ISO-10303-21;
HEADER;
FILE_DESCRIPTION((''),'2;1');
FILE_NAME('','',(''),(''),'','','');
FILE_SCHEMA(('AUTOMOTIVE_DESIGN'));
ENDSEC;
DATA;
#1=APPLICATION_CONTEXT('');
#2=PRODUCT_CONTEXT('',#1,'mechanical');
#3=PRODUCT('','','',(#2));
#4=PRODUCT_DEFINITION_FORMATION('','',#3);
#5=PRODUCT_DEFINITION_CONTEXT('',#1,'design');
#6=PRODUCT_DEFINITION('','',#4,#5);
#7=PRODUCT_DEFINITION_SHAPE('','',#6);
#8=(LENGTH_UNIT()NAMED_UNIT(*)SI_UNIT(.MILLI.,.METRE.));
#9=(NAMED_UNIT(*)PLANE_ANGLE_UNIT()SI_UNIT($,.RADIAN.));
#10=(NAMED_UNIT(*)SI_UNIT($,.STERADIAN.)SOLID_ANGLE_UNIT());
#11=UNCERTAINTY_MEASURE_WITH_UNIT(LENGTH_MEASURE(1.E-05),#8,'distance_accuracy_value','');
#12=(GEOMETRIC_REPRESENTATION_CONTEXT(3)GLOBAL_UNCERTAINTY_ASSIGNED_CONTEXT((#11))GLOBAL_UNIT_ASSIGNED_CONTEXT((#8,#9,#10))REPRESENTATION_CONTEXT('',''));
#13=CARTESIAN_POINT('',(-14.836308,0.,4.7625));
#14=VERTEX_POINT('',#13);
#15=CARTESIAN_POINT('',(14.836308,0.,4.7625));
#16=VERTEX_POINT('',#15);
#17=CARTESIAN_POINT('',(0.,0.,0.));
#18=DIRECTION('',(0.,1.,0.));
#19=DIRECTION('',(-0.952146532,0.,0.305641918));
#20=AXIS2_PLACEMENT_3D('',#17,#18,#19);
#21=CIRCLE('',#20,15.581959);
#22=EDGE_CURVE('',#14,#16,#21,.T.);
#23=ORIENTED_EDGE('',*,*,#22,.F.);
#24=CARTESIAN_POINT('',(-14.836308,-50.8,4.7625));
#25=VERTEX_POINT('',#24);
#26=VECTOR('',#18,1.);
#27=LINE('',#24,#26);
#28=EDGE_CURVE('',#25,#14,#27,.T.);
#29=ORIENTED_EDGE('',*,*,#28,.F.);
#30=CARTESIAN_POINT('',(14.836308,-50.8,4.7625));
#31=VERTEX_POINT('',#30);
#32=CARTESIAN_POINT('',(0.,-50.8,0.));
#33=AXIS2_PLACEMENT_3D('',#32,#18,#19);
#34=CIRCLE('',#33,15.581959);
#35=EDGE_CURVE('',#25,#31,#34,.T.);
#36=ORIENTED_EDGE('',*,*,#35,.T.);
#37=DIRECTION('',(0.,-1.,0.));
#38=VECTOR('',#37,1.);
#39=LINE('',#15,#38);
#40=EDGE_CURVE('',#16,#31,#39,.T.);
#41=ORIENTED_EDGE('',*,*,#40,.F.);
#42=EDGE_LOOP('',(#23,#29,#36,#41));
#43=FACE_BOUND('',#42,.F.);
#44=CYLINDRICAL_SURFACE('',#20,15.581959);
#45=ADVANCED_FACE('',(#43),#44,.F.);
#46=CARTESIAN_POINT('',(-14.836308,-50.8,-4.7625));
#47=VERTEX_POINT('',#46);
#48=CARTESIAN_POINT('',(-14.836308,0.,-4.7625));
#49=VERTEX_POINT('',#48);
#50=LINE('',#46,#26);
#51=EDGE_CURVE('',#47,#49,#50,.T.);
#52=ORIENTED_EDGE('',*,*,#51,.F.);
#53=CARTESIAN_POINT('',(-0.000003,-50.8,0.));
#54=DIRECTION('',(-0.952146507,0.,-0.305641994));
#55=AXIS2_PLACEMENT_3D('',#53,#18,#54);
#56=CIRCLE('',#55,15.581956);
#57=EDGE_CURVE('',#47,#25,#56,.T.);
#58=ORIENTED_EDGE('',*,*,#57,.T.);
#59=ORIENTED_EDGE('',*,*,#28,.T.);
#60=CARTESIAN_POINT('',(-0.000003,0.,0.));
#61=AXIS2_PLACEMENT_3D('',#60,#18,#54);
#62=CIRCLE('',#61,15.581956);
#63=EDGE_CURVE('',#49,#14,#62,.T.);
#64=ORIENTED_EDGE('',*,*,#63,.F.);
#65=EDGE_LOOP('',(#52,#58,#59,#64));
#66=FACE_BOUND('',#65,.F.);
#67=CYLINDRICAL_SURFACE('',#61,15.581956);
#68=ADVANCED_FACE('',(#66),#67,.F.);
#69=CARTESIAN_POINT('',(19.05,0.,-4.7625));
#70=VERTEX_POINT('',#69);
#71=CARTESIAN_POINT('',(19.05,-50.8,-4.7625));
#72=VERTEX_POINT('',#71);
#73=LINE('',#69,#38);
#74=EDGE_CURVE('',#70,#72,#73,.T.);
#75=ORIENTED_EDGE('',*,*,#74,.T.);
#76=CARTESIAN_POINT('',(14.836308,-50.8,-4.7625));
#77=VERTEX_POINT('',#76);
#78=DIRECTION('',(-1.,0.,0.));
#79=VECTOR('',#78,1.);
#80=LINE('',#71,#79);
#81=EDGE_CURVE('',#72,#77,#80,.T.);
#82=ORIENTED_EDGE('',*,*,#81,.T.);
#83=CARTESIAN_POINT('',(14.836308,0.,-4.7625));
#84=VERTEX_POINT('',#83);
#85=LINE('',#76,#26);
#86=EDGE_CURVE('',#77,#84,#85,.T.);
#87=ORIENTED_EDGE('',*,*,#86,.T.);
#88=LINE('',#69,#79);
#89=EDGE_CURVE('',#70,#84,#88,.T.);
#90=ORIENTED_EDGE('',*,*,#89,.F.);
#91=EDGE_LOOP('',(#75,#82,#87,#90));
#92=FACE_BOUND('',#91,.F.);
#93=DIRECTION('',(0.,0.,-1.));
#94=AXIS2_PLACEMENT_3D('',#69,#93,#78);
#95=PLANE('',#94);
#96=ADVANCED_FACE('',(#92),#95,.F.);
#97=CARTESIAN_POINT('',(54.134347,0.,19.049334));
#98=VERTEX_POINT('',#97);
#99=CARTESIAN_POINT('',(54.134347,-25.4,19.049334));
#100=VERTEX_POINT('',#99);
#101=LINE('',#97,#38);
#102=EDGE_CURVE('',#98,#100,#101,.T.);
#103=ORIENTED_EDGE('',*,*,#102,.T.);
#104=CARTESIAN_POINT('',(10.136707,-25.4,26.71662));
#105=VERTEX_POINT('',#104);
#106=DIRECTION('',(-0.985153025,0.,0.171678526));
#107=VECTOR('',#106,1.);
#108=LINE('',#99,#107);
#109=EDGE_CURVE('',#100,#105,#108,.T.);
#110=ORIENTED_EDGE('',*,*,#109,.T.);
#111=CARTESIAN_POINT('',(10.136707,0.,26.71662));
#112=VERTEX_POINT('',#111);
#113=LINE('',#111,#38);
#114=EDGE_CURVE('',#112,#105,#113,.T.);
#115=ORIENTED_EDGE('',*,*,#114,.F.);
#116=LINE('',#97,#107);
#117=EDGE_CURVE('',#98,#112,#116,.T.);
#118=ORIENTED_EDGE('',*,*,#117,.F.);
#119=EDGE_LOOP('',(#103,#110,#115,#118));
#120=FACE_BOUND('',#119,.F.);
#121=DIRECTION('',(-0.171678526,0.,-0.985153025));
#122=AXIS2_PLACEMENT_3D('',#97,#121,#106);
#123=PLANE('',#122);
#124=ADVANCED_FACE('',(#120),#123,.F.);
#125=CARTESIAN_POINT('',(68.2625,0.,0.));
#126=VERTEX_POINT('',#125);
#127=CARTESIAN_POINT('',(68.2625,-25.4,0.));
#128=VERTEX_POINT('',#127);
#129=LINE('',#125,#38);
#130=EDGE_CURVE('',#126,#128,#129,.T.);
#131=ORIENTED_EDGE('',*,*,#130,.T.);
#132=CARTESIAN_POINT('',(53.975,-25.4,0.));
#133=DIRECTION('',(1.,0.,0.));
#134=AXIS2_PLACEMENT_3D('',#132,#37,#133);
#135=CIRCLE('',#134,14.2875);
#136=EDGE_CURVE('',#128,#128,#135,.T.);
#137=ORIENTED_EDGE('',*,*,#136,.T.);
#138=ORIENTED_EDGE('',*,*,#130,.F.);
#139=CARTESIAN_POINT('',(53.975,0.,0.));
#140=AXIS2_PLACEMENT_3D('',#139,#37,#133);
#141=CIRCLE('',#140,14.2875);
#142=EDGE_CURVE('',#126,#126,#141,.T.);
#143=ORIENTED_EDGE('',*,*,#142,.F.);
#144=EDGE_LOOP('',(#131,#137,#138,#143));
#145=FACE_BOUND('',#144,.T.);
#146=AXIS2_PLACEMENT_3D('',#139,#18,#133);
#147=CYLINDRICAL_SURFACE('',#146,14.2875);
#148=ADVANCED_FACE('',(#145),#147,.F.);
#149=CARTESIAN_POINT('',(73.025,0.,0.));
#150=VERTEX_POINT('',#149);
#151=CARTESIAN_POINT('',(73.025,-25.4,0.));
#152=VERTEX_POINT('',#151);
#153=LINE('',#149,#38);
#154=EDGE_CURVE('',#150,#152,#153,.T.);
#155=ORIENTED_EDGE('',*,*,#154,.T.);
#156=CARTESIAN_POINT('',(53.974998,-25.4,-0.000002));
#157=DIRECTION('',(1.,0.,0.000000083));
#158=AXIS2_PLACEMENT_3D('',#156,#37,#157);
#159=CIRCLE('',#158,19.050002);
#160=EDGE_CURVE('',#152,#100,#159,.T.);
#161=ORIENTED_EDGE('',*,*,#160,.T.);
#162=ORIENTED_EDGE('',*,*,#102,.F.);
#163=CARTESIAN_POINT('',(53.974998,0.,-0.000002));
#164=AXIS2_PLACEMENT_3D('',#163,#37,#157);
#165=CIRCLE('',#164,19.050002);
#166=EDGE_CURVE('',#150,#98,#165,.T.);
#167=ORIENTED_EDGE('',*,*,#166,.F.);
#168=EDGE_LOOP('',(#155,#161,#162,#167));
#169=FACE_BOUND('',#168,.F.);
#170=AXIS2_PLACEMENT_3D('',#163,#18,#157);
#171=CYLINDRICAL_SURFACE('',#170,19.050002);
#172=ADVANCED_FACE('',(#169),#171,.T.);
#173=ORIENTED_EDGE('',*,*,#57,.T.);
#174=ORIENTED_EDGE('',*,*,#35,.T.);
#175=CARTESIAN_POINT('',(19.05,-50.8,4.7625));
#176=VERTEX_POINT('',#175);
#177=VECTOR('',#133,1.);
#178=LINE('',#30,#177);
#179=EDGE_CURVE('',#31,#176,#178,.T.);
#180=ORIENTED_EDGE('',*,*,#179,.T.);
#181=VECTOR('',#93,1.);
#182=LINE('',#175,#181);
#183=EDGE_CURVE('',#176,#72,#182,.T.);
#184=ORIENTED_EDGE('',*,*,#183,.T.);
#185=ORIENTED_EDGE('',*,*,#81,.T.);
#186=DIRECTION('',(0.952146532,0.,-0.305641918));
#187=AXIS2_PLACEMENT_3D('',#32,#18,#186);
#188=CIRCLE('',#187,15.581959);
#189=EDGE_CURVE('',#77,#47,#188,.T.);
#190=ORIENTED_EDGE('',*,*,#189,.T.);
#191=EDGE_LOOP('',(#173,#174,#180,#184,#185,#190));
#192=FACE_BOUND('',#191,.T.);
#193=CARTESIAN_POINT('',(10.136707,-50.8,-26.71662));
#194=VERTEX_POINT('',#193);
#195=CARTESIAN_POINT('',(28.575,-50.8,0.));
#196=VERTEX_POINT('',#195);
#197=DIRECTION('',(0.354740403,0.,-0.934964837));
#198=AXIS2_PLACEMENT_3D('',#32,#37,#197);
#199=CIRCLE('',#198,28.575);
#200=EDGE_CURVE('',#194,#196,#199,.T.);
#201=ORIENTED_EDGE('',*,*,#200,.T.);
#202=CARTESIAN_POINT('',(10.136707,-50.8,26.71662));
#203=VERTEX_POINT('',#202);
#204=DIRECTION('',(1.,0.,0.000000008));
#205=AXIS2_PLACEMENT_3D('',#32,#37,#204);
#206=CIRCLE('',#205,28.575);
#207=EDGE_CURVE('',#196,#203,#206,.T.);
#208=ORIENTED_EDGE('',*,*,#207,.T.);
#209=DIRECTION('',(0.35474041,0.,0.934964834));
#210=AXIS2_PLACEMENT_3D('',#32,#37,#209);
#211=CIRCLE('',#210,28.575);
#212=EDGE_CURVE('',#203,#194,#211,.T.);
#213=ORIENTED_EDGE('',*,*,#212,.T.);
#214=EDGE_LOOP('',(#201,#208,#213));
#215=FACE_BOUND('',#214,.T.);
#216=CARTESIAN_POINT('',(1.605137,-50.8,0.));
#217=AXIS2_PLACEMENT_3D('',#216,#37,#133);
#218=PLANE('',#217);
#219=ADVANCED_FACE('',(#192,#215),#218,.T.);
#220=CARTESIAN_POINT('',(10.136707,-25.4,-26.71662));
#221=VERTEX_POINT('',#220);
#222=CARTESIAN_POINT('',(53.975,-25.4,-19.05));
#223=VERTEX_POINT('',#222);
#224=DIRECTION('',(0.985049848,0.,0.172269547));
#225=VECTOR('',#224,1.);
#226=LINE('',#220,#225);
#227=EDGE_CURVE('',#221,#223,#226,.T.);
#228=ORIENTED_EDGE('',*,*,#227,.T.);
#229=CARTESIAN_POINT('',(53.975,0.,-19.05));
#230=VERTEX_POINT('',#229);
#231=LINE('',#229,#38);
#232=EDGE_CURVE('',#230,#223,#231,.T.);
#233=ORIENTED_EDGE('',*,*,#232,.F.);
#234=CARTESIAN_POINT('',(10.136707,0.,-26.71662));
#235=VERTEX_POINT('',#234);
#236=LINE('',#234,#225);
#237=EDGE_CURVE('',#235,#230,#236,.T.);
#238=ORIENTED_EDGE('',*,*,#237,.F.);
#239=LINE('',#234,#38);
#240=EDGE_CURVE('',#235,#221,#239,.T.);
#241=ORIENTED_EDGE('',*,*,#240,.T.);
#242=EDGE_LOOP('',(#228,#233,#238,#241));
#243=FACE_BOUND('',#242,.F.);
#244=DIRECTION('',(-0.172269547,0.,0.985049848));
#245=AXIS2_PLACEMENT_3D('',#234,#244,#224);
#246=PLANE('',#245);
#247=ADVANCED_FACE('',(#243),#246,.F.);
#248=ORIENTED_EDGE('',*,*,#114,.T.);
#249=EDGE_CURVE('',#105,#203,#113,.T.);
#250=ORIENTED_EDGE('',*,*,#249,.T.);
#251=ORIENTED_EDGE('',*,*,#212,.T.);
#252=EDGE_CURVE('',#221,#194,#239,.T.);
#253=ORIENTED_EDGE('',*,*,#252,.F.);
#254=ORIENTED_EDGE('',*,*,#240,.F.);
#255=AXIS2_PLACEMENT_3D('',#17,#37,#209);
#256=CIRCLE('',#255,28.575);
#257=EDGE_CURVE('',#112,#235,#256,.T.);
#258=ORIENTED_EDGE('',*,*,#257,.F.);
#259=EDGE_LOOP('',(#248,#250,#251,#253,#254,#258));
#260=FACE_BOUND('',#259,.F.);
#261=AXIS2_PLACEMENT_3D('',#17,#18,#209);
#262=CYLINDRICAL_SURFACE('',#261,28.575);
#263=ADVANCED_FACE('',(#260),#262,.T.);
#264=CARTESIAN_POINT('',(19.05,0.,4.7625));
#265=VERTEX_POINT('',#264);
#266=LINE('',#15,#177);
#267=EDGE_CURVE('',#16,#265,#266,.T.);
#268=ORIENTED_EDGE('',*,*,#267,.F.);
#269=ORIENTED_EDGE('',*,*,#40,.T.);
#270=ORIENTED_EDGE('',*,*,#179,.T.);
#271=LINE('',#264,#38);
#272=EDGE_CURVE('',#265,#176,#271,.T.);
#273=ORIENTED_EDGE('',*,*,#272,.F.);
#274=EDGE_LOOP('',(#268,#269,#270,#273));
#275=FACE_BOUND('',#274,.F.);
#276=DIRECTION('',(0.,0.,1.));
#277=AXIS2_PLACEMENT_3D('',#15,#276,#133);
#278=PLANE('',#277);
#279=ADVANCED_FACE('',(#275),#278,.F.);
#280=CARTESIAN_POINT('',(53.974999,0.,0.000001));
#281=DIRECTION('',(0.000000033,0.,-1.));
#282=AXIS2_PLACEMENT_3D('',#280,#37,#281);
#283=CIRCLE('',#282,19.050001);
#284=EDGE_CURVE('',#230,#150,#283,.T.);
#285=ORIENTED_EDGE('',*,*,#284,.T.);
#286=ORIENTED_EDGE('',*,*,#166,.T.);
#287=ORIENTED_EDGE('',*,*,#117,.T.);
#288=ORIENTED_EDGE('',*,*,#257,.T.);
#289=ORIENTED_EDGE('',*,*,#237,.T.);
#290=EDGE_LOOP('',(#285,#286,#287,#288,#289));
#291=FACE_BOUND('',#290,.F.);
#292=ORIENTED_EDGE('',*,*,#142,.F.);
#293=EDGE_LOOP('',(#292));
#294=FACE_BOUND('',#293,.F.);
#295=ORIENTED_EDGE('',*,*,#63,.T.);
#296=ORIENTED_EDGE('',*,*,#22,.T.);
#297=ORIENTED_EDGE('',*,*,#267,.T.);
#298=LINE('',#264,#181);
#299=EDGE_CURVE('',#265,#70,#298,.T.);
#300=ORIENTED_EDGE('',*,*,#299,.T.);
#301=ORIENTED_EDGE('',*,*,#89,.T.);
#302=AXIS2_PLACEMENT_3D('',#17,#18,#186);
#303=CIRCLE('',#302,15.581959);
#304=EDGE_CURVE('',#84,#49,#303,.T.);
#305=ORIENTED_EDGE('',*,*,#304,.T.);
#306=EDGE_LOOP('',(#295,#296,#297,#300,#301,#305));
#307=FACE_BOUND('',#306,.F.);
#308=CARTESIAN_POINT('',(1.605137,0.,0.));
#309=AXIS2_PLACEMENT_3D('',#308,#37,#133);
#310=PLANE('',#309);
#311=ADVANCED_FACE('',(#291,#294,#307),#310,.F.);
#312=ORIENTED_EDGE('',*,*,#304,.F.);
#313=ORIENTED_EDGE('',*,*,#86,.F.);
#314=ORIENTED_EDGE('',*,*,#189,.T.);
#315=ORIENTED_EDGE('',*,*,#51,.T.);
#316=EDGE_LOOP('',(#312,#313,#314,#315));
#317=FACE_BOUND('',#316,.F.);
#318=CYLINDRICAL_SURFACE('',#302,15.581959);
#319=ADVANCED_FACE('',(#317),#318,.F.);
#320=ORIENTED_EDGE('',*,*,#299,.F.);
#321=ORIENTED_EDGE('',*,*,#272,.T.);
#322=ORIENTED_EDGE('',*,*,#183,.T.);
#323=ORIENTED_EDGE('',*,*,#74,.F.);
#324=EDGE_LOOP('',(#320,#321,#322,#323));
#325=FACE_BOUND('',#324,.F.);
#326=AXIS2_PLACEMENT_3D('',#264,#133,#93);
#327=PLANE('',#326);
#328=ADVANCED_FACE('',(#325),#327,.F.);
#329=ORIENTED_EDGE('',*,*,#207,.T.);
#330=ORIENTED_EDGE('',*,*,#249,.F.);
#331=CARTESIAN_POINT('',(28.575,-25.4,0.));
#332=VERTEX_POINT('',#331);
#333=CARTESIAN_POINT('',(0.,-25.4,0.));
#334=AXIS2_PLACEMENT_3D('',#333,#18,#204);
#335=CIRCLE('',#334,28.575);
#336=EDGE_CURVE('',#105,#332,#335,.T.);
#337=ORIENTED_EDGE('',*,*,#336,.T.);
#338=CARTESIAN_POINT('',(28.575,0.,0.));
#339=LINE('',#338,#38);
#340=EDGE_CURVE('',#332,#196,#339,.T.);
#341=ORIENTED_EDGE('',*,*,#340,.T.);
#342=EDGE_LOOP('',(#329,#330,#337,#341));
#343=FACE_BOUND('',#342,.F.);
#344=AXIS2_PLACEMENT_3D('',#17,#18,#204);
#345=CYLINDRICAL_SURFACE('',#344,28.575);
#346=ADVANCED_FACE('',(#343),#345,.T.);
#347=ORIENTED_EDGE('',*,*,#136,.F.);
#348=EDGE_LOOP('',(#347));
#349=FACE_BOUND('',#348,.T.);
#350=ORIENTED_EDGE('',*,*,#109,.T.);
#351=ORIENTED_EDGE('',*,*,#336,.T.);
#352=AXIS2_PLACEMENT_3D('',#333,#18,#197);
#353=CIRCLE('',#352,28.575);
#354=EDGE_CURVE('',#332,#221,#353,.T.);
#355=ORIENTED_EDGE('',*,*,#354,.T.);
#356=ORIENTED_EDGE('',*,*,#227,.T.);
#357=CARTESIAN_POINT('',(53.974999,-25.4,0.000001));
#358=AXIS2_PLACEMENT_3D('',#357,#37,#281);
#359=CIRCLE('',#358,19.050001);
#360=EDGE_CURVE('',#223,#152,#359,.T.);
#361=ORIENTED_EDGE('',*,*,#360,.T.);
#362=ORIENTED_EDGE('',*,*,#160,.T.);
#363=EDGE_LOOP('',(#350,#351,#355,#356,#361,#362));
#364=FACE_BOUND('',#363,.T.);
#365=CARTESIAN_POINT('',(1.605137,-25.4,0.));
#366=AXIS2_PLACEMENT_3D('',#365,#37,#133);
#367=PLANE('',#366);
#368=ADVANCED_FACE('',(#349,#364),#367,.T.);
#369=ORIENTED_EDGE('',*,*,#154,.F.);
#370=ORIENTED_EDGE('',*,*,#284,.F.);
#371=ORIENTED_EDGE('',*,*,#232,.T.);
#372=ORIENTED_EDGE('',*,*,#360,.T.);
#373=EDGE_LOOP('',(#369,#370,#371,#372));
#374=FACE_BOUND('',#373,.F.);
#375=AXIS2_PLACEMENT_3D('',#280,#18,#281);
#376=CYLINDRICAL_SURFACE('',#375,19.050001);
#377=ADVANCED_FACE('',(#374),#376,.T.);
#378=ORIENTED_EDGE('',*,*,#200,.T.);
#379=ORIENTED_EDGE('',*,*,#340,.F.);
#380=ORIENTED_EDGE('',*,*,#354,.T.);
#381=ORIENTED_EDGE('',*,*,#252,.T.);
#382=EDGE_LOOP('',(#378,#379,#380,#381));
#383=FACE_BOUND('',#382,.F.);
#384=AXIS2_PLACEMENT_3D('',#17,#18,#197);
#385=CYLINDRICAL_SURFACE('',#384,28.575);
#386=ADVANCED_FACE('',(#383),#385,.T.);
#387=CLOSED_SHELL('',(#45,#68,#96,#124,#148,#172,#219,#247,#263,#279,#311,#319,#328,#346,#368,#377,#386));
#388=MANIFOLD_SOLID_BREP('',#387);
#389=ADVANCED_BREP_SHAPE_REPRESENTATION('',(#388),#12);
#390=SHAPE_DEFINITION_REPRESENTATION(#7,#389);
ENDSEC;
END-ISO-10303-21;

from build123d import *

# Parameters (mm, degrees)
F0_R     = 14.2875
F1_DEPTH = 25.4
F2_DEPTH = 50.8


with BuildPart() as f1:
    # F0 (on Front) → F1 (new body)
    with BuildSketch(Plane.XZ):
        with BuildLine():
            ThreePointArc((10.136707, -26.71662), (23.51794, -16.230746), (28.575, 0))
            ThreePointArc((28.575, 0), (23.51794, 16.230746), (10.136707, 26.71662))
            ThreePointArc((10.136707, 26.71662), (-28.575, 0), (10.136707, -26.71662))
        make_face()
        with BuildLine():
            ThreePointArc((-14.836308, 4.7625), (0, 15.581959), (14.836308, 4.7625))
            Line((14.836308, 4.7625), (19.05, 4.7625))
            Line((19.05, 4.7625), (19.05, -4.7625))
            Line((19.05, -4.7625), (14.836308, -4.7625))
            ThreePointArc((14.836308, -4.7625), (0, -15.581959), (-14.836308, -4.7625))
            Line((-14.836308, -4.7625), (-19.05, -4.7625))
            Line((-19.05, -4.7625), (-19.05, 4.7625))
            Line((-19.05, 4.7625), (-14.836308, 4.7625))
        make_face(mode=Mode.SUBTRACT)
        with BuildLine():
            ThreePointArc((10.136707, 26.71662), (23.51794, 16.230746), (28.575, 0))
            ThreePointArc((28.575, 0), (23.51794, -16.230746), (10.136707, -26.71662))
            Line((10.136707, -26.71662), (53.975, -19.05))
            ThreePointArc((53.975, -19.05), (34.925167, 0.079674), (54.134347, 19.049334))
            Line((54.134347, 19.049334), (10.136707, 26.71662))
        make_face()
        with BuildLine():
            ThreePointArc((73.025, 0), (67.501604, 13.413928), (54.134347, 19.049334))
            ThreePointArc((54.134347, 19.049334), (34.925167, 0.079674), (53.975, -19.05))
            ThreePointArc((53.975, -19.05), (67.445384, -13.470384), (73.025, 0))
        make_face()
        with Locations((53.975, 0)):
            Circle(F0_R, mode=Mode.SUBTRACT)
        with BuildLine():
            ThreePointArc((-14.836308, -4.7625), (-15.581959, 0), (-14.836308, 4.7625))
            Line((-14.836308, 4.7625), (-19.05, 4.7625))
            Line((-19.05, 4.7625), (-19.05, -4.7625))
            Line((-19.05, -4.7625), (-14.836308, -4.7625))
        make_face()
    extrude(amount=F1_DEPTH)

    # F0 (on Front) → F2 (join)
    with BuildSketch(Plane.XZ):
        with BuildLine():
            ThreePointArc((10.136707, -26.71662), (23.51794, -16.230746), (28.575, 0))
            ThreePointArc((28.575, 0), (23.51794, 16.230746), (10.136707, 26.71662))
            ThreePointArc((10.136707, 26.71662), (-28.575, 0), (10.136707, -26.71662))
        make_face()
        with BuildLine():
            ThreePointArc((-14.836308, 4.7625), (0, 15.581959), (14.836308, 4.7625))
            Line((14.836308, 4.7625), (19.05, 4.7625))
            Line((19.05, 4.7625), (19.05, -4.7625))
            Line((19.05, -4.7625), (14.836308, -4.7625))
            ThreePointArc((14.836308, -4.7625), (0, -15.581959), (-14.836308, -4.7625))
            Line((-14.836308, -4.7625), (-19.05, -4.7625))
            Line((-19.05, -4.7625), (-19.05, 4.7625))
            Line((-19.05, 4.7625), (-14.836308, 4.7625))
        make_face(mode=Mode.SUBTRACT)
        with BuildLine():
            ThreePointArc((-14.836308, -4.7625), (-15.581959, 0), (-14.836308, 4.7625))
            Line((-14.836308, 4.7625), (-19.05, 4.7625))
            Line((-19.05, 4.7625), (-19.05, -4.7625))
            Line((-19.05, -4.7625), (-14.836308, -4.7625))
        make_face()
    extrude(amount=F2_DEPTH)


solid = f1.part
